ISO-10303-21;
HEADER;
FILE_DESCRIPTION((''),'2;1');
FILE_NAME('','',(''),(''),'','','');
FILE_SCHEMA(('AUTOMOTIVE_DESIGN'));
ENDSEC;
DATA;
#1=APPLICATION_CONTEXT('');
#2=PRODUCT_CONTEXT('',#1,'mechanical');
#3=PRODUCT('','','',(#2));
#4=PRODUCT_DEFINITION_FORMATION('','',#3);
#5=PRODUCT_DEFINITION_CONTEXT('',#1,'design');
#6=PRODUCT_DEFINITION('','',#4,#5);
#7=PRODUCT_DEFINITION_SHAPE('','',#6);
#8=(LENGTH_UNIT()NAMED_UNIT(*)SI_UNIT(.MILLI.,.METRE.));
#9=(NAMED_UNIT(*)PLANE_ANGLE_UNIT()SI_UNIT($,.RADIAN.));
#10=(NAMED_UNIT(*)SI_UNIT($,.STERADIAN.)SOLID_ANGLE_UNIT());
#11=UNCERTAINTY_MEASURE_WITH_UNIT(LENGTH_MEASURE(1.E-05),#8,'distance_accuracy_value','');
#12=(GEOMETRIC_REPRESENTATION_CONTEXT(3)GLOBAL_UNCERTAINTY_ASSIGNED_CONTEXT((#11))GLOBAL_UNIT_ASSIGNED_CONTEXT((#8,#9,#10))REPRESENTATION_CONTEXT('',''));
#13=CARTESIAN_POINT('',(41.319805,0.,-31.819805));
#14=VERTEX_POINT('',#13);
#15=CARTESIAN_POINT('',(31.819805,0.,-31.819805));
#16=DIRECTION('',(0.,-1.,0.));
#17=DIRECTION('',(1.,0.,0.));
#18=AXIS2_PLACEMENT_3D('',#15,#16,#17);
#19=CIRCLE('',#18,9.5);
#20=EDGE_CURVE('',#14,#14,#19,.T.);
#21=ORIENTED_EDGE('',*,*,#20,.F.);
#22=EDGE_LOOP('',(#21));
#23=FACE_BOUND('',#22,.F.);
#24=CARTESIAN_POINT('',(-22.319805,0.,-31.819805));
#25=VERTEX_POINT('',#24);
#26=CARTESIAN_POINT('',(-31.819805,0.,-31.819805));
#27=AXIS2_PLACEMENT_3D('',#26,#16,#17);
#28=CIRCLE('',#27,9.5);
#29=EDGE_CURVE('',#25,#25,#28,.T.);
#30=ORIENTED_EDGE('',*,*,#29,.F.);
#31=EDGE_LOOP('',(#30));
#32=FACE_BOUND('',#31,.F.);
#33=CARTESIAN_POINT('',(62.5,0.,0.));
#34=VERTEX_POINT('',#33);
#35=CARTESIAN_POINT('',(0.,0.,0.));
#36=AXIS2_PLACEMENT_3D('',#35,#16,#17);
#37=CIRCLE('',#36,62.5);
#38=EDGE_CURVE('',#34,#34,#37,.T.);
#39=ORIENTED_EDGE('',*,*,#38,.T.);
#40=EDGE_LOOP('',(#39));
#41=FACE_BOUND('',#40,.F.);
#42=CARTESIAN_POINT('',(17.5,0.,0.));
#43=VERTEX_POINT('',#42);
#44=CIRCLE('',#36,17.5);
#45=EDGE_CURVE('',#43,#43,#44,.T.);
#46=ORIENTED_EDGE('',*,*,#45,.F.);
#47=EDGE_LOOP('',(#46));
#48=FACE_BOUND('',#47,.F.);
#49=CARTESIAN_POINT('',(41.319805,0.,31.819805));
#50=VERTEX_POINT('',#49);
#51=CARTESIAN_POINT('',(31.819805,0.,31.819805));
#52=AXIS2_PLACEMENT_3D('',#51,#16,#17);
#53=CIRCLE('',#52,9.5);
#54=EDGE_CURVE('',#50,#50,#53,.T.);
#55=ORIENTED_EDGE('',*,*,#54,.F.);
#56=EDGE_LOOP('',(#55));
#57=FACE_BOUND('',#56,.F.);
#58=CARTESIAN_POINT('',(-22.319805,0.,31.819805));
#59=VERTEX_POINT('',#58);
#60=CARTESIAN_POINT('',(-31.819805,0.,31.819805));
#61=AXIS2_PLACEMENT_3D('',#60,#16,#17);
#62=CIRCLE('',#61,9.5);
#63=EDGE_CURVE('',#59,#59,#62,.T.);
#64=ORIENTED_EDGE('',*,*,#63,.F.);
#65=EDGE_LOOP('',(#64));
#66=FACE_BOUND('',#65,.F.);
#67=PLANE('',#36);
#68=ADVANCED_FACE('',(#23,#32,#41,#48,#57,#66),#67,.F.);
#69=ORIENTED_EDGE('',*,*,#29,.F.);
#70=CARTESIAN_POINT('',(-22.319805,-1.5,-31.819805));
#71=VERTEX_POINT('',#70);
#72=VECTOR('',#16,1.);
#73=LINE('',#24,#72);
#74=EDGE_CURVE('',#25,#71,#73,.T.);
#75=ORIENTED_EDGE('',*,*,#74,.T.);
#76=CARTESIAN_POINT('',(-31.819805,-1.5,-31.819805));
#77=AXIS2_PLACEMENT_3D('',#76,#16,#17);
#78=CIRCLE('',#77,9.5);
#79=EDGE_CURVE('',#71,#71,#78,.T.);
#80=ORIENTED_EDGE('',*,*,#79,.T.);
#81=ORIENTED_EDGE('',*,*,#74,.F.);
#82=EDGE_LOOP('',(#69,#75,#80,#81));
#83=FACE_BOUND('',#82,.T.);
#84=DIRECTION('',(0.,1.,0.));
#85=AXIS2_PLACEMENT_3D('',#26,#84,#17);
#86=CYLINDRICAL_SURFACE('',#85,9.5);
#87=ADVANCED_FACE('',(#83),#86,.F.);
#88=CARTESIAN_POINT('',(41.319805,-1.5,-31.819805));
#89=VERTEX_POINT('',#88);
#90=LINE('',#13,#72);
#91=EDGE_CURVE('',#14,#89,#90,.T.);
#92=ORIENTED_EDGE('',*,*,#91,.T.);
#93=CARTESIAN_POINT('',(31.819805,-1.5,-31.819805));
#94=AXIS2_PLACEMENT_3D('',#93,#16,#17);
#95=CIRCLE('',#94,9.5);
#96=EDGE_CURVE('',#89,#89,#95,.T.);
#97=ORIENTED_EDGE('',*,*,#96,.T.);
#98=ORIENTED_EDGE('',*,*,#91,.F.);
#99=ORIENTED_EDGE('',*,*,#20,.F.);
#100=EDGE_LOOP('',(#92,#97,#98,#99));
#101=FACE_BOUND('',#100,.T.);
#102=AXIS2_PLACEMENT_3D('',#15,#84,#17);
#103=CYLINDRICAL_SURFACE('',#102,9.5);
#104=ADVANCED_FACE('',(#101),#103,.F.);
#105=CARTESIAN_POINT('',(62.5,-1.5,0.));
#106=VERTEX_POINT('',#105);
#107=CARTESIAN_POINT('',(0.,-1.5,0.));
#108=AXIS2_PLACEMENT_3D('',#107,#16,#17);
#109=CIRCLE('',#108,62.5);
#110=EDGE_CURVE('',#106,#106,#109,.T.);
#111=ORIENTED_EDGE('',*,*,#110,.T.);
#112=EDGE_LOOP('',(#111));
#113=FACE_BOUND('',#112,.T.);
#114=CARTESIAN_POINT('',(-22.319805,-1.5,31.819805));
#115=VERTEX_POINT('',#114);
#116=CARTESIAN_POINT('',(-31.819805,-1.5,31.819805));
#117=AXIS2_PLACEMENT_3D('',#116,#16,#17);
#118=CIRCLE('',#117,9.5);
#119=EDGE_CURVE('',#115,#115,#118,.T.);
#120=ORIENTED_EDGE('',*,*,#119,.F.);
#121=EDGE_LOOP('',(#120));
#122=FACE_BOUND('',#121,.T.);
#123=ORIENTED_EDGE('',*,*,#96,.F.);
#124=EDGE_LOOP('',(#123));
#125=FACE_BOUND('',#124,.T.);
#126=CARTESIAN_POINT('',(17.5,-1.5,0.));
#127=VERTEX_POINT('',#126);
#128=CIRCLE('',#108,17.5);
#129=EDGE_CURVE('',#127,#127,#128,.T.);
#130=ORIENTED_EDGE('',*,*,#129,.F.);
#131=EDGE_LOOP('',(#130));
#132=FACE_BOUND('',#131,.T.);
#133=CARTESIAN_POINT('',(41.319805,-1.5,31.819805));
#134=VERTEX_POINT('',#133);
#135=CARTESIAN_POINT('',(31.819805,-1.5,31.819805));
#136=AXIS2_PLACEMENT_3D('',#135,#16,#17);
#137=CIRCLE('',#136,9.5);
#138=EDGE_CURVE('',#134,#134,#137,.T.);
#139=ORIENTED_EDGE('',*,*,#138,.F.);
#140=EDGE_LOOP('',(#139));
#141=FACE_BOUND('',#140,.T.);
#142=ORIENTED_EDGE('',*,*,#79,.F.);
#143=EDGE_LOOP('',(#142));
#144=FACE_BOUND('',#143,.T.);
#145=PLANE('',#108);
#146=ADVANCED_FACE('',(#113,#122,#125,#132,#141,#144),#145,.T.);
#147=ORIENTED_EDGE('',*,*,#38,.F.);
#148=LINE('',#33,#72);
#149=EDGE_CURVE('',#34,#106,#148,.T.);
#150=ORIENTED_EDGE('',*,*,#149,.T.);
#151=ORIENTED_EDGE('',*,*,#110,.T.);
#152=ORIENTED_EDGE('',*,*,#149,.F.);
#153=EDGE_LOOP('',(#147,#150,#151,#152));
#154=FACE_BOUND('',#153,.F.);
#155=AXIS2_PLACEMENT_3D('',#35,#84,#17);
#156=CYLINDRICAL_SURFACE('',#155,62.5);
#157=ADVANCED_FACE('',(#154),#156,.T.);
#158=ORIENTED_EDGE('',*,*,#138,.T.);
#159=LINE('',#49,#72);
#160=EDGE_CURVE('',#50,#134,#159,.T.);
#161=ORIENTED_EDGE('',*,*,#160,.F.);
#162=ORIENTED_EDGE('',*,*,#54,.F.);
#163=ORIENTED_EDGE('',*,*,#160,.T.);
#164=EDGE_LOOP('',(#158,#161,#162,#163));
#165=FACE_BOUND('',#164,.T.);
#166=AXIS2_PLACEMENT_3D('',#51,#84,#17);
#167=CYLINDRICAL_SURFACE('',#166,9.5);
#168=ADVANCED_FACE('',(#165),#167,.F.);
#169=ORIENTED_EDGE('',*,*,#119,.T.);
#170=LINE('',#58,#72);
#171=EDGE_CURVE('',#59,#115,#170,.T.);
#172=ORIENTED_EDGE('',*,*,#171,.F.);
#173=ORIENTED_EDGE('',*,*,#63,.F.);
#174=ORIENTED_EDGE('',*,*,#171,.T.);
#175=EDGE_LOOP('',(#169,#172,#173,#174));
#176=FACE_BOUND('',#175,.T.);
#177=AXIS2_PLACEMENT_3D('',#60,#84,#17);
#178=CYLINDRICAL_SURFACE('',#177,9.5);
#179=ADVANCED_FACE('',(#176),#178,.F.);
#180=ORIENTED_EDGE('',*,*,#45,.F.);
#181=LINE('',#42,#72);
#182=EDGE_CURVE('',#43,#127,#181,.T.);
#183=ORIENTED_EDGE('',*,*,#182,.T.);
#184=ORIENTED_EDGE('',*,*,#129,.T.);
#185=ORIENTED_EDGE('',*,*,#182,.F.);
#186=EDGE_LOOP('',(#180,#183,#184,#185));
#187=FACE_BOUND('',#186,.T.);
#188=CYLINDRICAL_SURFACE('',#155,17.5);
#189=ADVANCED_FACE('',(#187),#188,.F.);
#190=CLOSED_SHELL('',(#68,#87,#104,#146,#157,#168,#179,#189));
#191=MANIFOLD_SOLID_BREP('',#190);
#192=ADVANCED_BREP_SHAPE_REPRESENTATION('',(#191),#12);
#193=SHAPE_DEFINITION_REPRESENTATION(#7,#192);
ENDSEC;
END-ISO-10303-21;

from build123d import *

# Parameters (mm, degrees)
F0_R     = 62.5
F0_R_2   = 9.5
F0_R_3   = 17.5
F1_DEPTH = 1.5


with BuildPart() as f1:
    # F0 (on Front) → F1 (new body)
    with BuildSketch(Plane.XZ):
        Circle(F0_R)
        with Locations((-31.819805, -31.819805)):
            Circle(F0_R_2, mode=Mode.SUBTRACT)
        with Locations((31.819805, -31.819805)):
            Circle(F0_R_2, mode=Mode.SUBTRACT)
        with Locations((-31.819805, 31.819805)):
            Circle(F0_R_2, mode=Mode.SUBTRACT)
        Circle(F0_R_3, mode=Mode.SUBTRACT)
        with Locations((31.819805, 31.819805)):
            Circle(F0_R_2, mode=Mode.SUBTRACT)
    extrude(amount=F1_DEPTH)


solid = f1.part
